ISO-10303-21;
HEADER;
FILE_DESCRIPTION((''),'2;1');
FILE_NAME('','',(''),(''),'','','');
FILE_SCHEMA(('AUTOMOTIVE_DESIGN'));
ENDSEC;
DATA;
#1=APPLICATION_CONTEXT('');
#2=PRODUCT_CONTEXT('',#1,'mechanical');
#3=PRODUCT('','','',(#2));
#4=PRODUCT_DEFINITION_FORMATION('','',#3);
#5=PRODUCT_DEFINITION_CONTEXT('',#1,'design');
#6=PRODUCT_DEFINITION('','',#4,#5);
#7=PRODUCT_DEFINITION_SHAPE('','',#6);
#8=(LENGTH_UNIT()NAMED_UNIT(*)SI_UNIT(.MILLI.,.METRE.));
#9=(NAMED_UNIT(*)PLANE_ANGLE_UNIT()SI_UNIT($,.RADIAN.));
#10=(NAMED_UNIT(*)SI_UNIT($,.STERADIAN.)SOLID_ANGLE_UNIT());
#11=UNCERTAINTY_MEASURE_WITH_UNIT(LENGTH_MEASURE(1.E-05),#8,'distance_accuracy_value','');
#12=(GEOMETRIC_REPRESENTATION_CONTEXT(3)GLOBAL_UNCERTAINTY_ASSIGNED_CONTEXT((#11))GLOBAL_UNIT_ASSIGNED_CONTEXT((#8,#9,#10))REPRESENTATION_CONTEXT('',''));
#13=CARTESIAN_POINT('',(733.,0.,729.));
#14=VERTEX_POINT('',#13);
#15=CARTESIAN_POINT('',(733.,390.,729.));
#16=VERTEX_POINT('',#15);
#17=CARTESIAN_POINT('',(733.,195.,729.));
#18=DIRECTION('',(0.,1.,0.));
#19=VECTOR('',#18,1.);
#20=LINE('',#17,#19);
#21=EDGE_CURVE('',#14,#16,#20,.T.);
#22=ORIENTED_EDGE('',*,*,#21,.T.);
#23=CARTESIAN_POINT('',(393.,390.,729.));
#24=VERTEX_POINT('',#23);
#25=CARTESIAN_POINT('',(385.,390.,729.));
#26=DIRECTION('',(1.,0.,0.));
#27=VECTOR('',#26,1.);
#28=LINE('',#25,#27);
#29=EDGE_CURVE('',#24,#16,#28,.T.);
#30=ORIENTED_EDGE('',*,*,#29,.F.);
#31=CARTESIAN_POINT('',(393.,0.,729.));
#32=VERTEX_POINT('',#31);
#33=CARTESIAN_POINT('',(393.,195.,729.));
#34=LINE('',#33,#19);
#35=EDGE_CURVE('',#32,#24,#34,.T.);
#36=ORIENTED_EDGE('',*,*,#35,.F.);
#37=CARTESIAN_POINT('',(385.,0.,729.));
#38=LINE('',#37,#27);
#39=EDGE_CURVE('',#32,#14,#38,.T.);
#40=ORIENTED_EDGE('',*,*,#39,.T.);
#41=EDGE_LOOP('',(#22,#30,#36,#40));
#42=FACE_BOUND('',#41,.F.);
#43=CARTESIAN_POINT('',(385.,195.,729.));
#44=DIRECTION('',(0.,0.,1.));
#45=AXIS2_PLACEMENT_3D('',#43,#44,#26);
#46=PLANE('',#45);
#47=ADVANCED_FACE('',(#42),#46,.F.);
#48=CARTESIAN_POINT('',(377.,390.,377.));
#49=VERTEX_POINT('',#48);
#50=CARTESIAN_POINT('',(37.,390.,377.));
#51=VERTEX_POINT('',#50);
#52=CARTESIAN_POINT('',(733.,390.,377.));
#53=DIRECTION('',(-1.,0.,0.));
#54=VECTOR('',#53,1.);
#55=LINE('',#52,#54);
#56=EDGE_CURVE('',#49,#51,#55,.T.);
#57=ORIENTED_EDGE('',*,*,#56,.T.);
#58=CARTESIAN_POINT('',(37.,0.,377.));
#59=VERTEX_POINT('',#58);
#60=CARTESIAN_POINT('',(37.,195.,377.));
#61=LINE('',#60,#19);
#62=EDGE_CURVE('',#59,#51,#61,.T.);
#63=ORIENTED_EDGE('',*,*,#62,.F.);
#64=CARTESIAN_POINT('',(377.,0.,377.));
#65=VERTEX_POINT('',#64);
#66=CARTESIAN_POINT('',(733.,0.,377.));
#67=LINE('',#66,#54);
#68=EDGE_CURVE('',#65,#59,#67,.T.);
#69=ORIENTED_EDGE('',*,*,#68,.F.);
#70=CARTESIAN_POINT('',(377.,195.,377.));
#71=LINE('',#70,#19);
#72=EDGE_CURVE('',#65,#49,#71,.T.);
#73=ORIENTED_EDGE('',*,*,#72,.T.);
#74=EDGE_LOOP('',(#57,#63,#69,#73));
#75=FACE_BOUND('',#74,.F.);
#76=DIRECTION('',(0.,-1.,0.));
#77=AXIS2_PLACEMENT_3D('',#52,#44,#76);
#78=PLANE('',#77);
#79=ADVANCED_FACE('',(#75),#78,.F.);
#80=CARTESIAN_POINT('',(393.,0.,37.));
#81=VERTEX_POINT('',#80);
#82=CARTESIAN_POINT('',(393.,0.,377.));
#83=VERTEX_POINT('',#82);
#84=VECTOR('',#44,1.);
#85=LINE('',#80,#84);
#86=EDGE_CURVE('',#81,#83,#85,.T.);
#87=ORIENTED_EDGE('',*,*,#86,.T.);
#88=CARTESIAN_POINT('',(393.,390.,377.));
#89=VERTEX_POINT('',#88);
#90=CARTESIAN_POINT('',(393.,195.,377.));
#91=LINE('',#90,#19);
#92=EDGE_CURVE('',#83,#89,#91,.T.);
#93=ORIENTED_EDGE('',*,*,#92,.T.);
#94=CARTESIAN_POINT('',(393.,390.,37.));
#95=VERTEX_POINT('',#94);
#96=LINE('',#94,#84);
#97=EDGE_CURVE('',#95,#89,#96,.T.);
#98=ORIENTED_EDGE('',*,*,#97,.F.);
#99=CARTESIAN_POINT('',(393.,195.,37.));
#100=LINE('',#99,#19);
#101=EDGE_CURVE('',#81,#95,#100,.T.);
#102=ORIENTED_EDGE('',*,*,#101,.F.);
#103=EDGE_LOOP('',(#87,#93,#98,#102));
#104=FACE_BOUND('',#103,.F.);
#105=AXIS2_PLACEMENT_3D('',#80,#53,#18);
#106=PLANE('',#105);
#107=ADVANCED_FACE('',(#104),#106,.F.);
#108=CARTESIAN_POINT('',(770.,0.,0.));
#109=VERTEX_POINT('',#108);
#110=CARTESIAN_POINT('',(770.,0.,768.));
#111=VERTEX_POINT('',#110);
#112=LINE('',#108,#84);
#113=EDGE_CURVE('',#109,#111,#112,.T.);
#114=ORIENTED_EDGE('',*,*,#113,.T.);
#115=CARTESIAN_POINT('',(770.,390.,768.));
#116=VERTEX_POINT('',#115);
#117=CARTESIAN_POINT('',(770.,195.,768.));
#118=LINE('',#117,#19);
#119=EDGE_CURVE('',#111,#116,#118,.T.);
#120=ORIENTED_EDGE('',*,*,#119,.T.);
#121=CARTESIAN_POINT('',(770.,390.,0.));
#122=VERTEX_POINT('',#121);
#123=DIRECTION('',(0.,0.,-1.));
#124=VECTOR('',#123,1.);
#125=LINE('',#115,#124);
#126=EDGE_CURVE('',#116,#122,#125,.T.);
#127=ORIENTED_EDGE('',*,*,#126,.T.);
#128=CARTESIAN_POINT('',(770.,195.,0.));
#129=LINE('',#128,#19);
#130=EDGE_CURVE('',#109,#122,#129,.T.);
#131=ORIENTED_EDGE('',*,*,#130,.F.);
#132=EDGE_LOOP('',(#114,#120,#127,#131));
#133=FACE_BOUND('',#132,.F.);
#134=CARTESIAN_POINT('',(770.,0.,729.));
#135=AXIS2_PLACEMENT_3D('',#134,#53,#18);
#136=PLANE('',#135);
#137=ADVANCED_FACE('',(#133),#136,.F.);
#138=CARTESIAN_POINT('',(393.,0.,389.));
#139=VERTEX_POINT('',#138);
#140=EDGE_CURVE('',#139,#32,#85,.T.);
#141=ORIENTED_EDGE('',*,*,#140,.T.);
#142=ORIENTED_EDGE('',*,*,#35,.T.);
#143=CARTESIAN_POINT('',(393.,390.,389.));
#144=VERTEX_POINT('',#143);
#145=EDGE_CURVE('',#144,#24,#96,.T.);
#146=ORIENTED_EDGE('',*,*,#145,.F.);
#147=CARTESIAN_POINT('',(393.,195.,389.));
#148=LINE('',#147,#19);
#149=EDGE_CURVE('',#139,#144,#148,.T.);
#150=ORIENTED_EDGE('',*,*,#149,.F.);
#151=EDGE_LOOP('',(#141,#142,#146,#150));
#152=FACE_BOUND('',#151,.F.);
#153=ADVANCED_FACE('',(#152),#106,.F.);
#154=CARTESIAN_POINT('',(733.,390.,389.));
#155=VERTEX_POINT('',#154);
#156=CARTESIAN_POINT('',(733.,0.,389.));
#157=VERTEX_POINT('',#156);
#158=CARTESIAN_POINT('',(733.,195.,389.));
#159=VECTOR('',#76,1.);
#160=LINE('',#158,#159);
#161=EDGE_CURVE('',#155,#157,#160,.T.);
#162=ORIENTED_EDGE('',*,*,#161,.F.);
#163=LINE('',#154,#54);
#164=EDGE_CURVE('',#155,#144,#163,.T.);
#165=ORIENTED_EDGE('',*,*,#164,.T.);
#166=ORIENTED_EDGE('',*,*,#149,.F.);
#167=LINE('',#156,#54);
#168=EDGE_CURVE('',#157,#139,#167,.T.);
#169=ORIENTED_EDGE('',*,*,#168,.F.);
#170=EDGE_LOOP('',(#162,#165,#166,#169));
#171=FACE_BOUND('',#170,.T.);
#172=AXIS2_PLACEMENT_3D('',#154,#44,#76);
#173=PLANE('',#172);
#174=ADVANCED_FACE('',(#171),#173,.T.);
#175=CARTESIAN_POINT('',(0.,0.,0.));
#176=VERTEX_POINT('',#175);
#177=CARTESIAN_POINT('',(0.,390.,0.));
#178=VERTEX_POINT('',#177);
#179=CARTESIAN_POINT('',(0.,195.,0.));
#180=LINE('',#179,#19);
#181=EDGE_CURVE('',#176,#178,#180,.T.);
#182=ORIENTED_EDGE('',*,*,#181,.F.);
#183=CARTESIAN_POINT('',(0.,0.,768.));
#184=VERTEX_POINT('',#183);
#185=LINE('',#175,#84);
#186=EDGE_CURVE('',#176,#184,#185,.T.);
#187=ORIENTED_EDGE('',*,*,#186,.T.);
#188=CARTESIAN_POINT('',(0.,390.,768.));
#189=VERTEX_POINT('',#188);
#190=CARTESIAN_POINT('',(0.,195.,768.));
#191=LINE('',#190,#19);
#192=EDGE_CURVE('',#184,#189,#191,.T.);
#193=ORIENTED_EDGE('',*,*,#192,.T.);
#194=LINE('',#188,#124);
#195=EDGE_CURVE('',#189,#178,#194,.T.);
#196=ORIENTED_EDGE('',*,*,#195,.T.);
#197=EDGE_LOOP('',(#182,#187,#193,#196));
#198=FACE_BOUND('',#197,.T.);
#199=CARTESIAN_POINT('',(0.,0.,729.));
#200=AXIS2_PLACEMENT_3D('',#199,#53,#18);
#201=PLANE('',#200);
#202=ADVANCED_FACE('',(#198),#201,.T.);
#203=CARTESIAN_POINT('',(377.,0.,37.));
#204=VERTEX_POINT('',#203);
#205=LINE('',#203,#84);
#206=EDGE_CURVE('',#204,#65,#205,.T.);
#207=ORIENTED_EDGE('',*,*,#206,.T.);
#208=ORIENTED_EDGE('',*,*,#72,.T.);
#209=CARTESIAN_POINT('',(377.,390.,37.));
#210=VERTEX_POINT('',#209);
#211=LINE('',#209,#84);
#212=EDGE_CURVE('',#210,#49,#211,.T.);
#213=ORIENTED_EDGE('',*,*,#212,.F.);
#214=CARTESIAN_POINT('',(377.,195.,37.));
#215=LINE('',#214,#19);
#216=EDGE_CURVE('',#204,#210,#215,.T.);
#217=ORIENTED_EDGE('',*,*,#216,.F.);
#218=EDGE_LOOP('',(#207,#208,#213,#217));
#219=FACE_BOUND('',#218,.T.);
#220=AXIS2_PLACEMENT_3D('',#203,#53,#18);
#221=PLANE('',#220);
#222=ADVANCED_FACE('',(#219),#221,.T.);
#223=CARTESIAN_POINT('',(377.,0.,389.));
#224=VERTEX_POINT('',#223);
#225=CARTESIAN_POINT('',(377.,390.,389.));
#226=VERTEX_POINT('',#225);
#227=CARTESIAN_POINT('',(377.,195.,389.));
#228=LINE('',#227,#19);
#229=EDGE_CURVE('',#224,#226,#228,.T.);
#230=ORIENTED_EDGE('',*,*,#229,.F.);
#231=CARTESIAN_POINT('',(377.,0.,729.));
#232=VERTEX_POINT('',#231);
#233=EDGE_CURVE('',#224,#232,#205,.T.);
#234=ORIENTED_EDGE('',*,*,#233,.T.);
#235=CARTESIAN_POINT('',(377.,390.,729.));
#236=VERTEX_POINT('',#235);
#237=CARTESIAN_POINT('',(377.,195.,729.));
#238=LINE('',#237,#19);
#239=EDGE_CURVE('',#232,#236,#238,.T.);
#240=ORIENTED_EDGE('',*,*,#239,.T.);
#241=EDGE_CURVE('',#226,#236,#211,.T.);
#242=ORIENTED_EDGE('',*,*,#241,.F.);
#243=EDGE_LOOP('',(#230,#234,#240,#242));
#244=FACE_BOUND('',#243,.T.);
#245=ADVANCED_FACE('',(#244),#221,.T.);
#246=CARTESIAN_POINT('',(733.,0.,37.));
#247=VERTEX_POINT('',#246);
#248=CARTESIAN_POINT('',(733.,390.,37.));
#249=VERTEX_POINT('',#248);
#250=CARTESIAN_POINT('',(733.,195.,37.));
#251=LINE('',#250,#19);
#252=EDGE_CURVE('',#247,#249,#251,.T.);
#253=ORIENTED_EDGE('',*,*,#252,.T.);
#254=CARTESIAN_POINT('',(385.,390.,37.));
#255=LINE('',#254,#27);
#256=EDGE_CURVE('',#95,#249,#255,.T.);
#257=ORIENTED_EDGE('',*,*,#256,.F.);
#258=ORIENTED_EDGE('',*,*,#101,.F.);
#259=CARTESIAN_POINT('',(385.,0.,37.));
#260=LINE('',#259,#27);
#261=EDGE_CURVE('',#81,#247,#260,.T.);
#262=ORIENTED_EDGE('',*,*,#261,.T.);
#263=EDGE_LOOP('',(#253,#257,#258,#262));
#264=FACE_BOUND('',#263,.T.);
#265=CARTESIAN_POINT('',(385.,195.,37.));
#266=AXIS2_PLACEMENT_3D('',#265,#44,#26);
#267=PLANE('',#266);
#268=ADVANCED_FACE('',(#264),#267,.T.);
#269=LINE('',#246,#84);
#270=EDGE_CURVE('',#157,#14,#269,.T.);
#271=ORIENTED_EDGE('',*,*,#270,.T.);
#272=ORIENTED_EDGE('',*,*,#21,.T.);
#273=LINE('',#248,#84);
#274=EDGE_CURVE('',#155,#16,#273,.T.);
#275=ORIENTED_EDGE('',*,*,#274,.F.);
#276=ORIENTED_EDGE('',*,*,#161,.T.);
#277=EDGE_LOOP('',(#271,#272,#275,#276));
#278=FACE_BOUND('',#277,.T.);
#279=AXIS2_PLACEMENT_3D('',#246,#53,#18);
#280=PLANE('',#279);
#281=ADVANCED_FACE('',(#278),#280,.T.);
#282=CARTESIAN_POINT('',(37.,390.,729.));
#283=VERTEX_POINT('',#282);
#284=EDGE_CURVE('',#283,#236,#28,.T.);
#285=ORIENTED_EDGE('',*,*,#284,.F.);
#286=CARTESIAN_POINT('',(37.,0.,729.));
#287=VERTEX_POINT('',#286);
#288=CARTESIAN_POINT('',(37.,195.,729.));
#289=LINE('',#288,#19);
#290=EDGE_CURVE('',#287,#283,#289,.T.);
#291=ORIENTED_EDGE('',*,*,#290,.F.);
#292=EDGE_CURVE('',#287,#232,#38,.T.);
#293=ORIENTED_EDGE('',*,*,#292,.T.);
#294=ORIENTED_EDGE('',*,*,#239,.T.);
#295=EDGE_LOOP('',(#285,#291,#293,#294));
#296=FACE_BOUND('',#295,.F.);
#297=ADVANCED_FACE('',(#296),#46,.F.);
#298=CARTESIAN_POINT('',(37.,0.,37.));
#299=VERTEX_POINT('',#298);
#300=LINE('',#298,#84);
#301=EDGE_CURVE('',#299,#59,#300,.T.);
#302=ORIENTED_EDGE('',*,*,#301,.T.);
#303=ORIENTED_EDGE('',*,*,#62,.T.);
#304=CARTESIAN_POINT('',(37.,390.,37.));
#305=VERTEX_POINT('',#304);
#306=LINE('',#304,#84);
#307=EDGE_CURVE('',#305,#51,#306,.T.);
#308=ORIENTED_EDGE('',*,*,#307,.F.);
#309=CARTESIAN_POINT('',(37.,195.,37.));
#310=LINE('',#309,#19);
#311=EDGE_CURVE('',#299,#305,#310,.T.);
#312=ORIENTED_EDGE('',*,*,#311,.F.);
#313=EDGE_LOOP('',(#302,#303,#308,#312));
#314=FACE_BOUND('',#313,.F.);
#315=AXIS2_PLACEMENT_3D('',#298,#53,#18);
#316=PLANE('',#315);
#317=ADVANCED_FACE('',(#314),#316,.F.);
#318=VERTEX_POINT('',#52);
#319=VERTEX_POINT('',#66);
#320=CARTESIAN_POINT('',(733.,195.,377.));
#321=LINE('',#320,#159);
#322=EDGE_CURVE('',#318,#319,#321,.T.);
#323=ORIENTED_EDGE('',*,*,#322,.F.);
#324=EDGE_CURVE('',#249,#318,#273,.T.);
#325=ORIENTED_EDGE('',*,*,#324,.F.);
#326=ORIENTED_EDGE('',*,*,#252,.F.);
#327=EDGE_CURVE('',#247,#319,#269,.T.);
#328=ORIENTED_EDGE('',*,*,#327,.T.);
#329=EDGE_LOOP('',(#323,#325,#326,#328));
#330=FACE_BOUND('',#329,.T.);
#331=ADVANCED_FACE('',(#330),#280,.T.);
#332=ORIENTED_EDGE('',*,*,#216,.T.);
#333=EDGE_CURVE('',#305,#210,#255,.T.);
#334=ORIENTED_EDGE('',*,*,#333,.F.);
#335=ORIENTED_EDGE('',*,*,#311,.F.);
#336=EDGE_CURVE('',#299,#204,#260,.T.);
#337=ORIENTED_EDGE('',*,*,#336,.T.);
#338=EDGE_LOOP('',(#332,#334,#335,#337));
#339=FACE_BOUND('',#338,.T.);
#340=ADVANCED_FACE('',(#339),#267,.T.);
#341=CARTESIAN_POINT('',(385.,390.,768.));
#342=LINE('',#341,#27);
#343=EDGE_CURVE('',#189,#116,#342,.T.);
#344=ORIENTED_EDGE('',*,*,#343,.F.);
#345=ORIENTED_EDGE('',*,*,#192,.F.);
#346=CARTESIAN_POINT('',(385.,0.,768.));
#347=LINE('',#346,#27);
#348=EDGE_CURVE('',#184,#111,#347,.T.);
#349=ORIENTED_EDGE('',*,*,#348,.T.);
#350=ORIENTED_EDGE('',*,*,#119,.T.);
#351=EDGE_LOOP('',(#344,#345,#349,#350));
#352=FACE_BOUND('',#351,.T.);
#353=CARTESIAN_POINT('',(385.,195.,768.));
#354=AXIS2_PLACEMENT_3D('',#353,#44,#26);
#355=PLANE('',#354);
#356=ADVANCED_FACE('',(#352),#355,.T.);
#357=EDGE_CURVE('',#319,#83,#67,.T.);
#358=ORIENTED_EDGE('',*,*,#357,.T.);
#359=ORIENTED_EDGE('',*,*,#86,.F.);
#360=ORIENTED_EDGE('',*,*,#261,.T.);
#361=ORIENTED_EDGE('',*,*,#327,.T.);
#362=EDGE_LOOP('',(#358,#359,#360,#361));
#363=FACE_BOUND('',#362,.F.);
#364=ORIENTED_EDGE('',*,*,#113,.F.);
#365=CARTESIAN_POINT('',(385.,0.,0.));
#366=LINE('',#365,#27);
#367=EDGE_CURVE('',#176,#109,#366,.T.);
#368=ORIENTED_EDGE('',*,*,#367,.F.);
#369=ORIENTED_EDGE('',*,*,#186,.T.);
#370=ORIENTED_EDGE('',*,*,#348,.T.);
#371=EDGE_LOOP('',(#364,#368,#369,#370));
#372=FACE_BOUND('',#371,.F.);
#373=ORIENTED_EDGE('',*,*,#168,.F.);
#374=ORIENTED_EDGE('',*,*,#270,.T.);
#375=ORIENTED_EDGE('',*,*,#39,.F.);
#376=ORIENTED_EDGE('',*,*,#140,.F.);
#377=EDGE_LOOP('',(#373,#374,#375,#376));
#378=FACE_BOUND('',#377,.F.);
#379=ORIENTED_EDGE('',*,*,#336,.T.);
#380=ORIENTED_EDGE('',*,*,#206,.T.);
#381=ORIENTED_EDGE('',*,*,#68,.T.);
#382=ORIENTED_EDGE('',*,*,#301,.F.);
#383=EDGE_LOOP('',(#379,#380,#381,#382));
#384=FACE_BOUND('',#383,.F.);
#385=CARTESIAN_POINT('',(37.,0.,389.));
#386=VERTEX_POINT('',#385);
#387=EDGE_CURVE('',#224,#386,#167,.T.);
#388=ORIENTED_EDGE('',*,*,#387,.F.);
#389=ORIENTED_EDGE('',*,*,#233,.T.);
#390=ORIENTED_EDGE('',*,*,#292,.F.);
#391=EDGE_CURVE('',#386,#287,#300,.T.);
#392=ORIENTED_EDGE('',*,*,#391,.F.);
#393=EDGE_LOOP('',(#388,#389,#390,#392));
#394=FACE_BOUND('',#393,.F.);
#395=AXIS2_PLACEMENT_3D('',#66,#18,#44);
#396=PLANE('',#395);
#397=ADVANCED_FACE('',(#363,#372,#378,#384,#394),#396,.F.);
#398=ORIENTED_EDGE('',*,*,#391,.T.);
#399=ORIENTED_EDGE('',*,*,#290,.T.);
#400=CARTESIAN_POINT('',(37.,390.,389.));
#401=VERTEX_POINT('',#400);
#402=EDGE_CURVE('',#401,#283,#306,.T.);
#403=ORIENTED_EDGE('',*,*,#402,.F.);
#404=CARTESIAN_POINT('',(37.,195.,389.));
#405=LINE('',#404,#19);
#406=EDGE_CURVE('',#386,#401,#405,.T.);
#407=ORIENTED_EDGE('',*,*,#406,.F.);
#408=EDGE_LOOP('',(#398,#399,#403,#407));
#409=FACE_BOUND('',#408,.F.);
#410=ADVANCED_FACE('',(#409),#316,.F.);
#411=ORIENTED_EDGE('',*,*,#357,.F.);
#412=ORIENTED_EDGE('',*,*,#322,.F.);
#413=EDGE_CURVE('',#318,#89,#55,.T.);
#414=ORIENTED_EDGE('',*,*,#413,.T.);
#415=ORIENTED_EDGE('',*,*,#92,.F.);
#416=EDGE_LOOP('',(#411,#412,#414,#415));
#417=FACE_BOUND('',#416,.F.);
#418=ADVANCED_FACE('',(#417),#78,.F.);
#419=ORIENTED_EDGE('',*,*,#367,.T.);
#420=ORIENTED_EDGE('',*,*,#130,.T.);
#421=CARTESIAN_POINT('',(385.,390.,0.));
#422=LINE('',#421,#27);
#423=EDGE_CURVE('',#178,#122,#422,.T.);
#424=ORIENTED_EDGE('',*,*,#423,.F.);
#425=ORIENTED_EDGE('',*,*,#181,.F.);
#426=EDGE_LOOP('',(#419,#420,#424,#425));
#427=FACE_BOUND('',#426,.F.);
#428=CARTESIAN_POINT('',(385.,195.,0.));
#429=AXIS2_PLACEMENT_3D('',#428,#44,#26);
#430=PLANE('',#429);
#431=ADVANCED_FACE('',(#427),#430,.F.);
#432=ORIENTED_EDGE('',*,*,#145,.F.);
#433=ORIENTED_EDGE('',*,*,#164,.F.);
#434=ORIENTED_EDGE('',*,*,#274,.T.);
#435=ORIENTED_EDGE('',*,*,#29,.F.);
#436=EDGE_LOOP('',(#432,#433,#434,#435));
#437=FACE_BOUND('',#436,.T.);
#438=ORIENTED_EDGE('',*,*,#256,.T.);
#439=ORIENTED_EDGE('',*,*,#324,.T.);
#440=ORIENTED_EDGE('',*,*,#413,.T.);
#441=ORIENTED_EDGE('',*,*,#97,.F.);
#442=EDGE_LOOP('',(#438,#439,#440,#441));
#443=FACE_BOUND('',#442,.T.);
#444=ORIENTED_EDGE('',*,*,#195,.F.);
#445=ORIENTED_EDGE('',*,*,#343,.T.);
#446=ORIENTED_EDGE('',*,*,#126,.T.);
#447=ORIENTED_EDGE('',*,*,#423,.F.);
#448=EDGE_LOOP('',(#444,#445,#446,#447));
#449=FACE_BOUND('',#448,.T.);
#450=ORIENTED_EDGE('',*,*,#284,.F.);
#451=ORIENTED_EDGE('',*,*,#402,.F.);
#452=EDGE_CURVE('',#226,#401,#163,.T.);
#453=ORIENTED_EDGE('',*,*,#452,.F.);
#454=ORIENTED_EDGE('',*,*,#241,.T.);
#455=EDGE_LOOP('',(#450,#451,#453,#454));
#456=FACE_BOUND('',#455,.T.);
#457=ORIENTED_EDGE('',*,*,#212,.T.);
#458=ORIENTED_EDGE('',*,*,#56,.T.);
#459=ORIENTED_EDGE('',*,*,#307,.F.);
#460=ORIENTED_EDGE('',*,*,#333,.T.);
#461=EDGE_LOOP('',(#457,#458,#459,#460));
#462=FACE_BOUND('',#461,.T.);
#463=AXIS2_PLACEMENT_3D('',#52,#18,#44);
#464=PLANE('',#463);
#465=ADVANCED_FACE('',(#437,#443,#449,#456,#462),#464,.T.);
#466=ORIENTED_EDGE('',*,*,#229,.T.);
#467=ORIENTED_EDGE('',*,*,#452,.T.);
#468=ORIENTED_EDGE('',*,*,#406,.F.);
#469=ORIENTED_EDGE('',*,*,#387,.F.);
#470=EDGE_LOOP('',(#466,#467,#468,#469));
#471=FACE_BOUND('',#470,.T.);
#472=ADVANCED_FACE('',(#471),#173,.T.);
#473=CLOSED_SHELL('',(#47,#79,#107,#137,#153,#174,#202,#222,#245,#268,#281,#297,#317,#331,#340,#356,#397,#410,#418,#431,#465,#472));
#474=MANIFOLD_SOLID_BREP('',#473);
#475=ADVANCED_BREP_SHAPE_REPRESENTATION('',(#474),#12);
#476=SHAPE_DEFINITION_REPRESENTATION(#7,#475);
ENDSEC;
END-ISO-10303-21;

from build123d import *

# Parameters (mm, degrees)
F0_W     = 770
F0_H     = 390
F1_DEPTH = 37
F2_W     = 37
F2_H     = 390
F2_W_2   = 16
F3_DEPTH = 692
F4_W     = 770
F4_H     = 390
F5_DEPTH = 39
F6_W     = 390
F6_H     = 12
F7_DEPTH = 704


with BuildPart() as f1:
    # F0 (on Top) → F1 (new body)
    with BuildSketch(Plane.XY):
        with Locations((385, 195)):
            Rectangle(F0_W, F0_H)
    extrude(amount=F1_DEPTH)

    # F2 (on face) → F3 (join)
    with BuildSketch(Plane.XY.offset(37)):
        with Locations((18.5, 195)):
            Rectangle(F2_W, F2_H)
        with Locations((751.5, 195)):
            Rectangle(F2_W, F2_H)
        with Locations((385, 195)):
            Rectangle(F2_W_2, F2_H)
    extrude(amount=F3_DEPTH)

    # F4 (on face) → F5 (join)
    with BuildSketch(Plane.XY.offset(729)):
        with Locations((385, 195)):
            Rectangle(F4_W, F4_H)
    extrude(amount=F5_DEPTH)

    # F6 (on face) → F7 (join)
    with BuildSketch(Plane(origin=(733, 0, 0), x_dir=(0, -1, 0), z_dir=(-1, 0, 0))):
        with Locations((-195, 383)):
            Rectangle(F6_W, F6_H)
    extrude(amount=F7_DEPTH)


solid = f1.part
